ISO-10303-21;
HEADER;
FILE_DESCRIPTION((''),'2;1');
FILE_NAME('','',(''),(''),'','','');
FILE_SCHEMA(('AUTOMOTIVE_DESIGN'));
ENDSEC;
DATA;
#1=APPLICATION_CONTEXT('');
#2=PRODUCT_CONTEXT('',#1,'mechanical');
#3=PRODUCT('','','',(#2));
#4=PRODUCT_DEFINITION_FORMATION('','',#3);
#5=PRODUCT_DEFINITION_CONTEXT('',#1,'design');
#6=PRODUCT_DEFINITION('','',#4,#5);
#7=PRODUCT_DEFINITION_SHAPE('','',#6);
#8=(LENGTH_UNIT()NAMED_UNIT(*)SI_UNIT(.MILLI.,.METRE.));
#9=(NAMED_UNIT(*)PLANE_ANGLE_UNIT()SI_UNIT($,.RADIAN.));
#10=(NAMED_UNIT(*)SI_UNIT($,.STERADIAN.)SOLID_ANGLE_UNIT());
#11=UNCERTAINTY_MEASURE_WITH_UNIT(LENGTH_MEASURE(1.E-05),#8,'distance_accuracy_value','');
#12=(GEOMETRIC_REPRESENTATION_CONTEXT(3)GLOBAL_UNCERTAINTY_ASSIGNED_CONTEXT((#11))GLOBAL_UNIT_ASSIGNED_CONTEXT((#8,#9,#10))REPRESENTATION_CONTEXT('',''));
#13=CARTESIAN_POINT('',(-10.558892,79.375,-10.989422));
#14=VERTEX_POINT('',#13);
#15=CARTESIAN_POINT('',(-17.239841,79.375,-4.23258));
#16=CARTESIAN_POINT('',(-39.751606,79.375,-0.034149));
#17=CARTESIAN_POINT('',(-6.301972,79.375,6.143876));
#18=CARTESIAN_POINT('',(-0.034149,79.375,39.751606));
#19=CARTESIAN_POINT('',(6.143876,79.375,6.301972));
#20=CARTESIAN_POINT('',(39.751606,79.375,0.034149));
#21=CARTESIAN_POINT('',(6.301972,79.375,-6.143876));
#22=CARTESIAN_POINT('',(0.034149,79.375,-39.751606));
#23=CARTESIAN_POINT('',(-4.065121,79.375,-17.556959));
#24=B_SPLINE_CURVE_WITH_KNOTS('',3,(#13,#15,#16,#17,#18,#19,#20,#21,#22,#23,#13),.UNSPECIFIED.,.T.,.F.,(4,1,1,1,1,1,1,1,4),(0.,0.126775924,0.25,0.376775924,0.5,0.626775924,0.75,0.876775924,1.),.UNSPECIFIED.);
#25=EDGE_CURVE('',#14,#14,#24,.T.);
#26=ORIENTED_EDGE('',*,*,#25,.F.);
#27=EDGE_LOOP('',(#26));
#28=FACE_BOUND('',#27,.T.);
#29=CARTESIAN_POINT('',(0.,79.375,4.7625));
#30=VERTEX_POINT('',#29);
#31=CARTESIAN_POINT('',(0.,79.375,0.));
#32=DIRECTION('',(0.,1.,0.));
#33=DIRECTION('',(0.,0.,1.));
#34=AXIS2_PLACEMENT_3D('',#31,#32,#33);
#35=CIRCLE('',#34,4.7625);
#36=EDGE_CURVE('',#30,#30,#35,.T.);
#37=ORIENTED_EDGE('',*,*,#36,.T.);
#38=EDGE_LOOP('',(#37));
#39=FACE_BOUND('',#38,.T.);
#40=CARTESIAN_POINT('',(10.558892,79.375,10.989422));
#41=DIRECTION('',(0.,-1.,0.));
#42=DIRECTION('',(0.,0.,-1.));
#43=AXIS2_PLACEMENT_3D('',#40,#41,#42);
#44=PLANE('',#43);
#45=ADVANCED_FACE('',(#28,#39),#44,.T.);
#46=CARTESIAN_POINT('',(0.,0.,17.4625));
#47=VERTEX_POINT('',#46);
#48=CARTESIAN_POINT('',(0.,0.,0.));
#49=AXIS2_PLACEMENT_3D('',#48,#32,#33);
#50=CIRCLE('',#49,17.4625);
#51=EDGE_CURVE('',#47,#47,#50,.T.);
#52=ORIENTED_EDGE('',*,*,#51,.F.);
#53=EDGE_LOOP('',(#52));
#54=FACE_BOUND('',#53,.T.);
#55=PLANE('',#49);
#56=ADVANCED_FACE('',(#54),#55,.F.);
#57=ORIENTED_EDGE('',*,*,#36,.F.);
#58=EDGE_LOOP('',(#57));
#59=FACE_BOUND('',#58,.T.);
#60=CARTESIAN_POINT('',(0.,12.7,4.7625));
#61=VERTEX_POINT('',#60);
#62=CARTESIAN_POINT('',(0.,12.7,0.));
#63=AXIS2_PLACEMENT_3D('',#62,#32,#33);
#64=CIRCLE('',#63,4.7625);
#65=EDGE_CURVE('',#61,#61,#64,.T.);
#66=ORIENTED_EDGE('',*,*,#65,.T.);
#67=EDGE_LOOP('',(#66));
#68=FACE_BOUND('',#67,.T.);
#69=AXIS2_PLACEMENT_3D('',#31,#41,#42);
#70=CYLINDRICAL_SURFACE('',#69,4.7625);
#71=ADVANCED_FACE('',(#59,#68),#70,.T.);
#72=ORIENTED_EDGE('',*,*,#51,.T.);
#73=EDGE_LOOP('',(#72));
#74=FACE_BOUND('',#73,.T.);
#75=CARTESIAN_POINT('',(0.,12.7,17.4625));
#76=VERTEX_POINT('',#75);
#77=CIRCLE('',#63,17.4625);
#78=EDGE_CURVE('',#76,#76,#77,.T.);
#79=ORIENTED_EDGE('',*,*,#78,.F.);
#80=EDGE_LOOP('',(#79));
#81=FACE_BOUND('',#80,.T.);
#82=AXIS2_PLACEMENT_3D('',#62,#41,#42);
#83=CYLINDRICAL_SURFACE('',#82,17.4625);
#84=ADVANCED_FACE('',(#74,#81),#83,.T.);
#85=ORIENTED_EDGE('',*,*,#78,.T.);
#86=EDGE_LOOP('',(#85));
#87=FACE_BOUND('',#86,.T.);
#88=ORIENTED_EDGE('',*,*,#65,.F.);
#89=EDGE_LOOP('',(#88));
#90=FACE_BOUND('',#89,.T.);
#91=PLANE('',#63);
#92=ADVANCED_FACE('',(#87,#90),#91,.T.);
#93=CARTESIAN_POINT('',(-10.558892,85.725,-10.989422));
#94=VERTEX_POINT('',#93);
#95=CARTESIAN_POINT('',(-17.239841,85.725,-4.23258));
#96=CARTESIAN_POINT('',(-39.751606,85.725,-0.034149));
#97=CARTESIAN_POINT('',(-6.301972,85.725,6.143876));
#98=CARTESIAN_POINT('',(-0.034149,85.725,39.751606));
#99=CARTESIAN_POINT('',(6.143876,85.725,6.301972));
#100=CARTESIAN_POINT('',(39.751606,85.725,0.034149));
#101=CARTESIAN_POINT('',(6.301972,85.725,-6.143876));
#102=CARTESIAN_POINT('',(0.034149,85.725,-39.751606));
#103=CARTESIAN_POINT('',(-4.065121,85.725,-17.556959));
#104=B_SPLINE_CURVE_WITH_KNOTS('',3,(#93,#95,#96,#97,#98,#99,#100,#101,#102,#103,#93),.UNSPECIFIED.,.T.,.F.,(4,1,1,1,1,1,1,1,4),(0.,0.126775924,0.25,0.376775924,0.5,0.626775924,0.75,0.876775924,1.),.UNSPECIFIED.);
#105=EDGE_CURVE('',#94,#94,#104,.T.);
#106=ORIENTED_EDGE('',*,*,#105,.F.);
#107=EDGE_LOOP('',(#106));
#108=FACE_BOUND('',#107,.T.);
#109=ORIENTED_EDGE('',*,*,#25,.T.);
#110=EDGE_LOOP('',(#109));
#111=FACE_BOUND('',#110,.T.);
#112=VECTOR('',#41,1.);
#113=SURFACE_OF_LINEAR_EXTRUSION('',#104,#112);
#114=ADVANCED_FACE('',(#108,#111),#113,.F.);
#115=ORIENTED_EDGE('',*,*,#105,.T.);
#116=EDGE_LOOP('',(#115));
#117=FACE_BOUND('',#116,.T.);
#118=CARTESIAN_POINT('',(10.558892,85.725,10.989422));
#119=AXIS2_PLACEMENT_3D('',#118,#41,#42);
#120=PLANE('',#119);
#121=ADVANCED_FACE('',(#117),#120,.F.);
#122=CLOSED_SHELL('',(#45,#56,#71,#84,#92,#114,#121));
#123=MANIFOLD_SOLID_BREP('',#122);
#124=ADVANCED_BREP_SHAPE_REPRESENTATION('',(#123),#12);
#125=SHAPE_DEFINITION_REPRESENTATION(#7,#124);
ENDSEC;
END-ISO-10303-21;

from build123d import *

# Parameters (mm, degrees)
SKETCH1_R           = 17.4625
BOSS_EXTRUDE1_DEPTH = 12.7
SKETCH2_R           = 4.7625
BOSS_EXTRUDE2_DEPTH = 66.675
BOSS_EXTRUDE3_DEPTH = 6.35


with BuildPart() as part:
    # Sketch1 → Boss-Extrude1 (new body)
    with BuildSketch(Plane(origin=(0, 0, 0), x_dir=(1, 0, 0), z_dir=(0, 1, 0))):
        with Locations(Location((0, 0, 0), (0, 0, 270))):
            Circle(SKETCH1_R)
    extrude(amount=BOSS_EXTRUDE1_DEPTH)

    # Sketch2 → Boss-Extrude2 (add)
    with BuildSketch(Plane(origin=(0, 12.7, 0), x_dir=(1, 0, 0), z_dir=(0, 1, 0))):
        with Locations(Location((0, 0, 0), (0, 0, 270))):
            Circle(SKETCH2_R)
    extrude(amount=BOSS_EXTRUDE2_DEPTH)

    # Sketch3 → Boss-Extrude3 (add)
    with BuildSketch(Plane(origin=(0, 79.375, 0), x_dir=(1, 0, 0), z_dir=(0, 1, 0))):
        with BuildLine():
            add(Edge.make_bspline(
                [(-10.558892025, 10.98942215), (-4.065120938, 17.556959254), (0.034148922, 39.751606205), (6.301971789, 6.143875829), (39.751606205, -0.034148922), (6.143875829, -6.301971789), (-0.034148922, -39.751606205), (-6.301971789, -6.143875829), (-39.751606205, 0.034148922), (-17.23984149, 4.232580416), (-10.558892025, 10.98942215)],
                knots=[0, 0, 0, 0, 0.123224076, 0.25, 0.373224076, 0.5, 0.623224076, 0.75, 0.873224076, 1, 1, 1, 1], degree=3))
        make_face()
    extrude(amount=BOSS_EXTRUDE3_DEPTH)


solid = part.part
